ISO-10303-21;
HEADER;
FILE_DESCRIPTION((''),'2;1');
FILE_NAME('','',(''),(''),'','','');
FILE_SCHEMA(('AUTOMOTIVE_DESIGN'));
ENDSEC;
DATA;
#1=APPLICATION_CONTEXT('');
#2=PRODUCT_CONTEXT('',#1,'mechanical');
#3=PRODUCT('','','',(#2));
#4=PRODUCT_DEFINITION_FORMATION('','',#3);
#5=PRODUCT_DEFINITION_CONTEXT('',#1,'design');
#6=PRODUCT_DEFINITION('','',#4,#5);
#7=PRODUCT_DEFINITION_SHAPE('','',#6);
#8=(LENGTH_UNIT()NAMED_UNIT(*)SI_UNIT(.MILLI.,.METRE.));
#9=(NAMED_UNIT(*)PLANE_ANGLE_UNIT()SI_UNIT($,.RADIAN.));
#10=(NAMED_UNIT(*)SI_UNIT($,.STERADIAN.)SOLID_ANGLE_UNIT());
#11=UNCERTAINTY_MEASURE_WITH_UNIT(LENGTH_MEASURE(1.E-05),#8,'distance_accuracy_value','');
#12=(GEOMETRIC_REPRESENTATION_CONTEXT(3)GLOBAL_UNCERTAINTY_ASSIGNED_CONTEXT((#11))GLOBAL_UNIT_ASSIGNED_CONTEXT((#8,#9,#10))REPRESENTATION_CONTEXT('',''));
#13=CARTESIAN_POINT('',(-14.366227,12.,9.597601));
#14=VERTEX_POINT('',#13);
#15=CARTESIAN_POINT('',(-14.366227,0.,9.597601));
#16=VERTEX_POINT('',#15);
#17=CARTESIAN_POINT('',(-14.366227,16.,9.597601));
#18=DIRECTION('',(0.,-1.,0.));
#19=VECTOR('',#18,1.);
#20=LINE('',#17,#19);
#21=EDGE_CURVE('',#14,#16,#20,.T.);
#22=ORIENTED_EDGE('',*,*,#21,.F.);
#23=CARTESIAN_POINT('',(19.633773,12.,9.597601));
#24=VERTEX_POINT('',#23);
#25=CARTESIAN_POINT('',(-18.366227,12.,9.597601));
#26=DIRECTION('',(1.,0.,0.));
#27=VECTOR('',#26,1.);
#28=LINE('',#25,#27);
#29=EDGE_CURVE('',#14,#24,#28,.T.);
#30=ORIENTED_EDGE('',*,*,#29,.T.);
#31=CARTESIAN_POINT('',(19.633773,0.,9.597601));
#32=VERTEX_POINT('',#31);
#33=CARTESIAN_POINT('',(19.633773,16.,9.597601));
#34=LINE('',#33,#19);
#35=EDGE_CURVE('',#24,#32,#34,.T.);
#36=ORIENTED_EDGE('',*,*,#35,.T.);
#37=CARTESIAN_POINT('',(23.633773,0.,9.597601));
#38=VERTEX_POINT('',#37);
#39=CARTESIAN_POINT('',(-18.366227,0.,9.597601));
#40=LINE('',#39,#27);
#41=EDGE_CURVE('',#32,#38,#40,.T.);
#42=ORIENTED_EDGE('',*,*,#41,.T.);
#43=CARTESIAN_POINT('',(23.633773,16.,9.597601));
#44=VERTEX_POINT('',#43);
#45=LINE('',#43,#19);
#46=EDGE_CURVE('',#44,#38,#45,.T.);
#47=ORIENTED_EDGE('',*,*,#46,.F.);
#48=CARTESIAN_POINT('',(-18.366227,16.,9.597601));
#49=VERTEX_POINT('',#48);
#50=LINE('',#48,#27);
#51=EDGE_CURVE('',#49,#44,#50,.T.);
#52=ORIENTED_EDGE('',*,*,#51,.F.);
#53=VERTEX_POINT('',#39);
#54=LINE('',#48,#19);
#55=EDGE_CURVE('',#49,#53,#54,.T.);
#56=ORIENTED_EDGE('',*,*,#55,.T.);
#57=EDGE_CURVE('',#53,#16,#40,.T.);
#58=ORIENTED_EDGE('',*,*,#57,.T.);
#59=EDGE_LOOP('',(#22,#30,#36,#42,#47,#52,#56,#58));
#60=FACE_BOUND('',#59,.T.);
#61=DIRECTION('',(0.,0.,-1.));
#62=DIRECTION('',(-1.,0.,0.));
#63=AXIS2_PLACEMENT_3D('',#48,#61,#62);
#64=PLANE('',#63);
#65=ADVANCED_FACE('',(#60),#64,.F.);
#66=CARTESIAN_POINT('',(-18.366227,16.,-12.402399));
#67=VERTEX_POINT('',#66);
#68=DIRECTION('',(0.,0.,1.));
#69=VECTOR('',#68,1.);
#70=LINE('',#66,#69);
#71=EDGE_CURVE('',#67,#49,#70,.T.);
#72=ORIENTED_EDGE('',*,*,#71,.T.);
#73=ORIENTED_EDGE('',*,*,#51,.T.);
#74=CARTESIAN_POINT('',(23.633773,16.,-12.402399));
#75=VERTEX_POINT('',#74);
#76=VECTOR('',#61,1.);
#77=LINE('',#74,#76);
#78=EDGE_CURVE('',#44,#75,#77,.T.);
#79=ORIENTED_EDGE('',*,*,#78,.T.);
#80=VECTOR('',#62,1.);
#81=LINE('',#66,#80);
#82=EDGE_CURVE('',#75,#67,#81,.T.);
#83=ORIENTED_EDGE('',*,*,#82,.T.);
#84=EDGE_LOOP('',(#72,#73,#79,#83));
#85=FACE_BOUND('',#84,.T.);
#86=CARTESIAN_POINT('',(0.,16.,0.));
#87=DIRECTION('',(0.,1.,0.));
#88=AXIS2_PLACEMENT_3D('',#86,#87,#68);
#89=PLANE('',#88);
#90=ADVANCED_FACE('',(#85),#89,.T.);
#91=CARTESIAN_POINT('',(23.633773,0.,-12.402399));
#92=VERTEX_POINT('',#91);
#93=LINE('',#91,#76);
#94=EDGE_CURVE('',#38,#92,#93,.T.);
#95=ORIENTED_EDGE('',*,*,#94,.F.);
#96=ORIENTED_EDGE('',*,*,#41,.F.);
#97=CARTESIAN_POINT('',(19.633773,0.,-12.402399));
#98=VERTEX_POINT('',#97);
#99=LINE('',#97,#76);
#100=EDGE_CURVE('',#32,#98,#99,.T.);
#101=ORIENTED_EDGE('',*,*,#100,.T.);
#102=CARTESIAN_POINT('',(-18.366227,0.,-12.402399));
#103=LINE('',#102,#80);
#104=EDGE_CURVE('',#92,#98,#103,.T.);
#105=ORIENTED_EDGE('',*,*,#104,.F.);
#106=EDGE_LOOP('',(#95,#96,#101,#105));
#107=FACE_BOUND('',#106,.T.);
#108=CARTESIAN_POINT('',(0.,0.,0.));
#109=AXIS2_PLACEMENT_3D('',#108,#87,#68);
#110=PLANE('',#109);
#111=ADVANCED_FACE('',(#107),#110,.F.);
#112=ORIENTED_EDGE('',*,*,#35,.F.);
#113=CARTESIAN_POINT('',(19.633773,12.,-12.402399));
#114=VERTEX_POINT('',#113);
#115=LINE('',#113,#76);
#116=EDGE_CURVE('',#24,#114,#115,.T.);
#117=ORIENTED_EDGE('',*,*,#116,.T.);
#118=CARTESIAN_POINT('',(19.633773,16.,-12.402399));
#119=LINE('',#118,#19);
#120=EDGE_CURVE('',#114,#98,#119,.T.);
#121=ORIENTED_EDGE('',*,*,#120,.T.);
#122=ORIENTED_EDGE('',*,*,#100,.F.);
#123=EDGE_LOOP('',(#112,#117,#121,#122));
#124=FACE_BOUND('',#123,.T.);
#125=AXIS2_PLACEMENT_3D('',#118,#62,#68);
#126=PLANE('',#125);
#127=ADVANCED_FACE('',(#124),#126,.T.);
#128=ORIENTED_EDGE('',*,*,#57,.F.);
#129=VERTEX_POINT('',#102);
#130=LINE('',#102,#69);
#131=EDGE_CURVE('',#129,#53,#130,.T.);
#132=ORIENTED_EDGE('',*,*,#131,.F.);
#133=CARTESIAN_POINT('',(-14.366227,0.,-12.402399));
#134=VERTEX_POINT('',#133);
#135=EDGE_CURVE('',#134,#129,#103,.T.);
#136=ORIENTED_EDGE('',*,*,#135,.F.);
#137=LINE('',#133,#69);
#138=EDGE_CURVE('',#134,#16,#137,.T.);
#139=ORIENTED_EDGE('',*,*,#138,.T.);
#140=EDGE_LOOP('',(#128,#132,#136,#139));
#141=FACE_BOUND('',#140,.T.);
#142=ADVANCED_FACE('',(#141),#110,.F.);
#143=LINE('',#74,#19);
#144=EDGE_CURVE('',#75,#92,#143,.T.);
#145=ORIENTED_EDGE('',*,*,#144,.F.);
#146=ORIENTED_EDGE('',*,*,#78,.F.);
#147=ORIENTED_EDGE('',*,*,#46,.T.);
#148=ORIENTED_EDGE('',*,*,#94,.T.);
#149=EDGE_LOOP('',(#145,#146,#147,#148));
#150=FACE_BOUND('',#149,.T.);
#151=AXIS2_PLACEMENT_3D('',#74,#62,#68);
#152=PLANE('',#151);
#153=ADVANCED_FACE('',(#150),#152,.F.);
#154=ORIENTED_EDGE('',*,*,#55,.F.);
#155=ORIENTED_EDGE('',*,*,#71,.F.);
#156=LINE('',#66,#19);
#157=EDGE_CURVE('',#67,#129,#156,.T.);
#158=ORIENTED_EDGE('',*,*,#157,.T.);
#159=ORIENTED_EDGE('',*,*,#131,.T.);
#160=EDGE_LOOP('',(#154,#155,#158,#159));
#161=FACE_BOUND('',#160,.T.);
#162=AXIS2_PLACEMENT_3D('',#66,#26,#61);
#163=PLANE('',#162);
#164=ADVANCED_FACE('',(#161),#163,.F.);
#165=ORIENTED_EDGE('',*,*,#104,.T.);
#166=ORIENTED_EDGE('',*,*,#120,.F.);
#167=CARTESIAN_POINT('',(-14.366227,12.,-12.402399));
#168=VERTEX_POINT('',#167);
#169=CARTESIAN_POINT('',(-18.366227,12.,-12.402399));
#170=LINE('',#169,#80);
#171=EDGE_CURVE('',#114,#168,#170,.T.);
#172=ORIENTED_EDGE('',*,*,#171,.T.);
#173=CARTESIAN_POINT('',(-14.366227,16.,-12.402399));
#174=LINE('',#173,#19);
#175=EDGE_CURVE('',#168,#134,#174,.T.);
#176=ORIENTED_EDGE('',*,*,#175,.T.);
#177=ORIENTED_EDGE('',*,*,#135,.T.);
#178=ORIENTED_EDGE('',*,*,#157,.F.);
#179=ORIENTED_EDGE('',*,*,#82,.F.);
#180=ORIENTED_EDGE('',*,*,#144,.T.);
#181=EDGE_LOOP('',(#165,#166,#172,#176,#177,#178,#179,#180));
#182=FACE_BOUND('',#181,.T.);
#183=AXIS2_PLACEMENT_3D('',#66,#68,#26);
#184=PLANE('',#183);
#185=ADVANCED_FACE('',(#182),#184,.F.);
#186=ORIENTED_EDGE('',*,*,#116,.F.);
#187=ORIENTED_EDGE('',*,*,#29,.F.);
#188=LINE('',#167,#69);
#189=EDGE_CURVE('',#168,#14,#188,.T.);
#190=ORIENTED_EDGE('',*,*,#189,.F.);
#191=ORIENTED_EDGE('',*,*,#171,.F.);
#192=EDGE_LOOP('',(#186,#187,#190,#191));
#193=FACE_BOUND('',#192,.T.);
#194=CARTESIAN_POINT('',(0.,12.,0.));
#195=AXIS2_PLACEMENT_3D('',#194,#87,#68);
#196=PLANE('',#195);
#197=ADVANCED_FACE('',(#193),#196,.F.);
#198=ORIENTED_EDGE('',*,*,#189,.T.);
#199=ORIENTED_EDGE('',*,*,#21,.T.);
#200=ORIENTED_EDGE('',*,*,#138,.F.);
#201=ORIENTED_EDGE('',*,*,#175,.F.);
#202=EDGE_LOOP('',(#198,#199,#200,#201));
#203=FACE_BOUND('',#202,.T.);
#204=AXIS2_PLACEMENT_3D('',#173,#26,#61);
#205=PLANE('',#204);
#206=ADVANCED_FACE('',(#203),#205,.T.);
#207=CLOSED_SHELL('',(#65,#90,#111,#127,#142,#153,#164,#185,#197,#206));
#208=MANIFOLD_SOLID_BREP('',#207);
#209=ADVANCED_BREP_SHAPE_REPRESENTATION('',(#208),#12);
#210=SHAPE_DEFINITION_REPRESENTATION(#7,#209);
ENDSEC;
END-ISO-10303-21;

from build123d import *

# Parameters (mm, degrees)
SKETCH1_W           = 42
SKETCH1_H           = 22
BOSS_EXTRUDE1_DEPTH = 16
SHELL2_T            = -4


with BuildPart() as part:
    # Sketch1 → Boss-Extrude1 (new body)
    with BuildSketch(Plane(origin=(0, 0, 0), x_dir=(1, 0, 0), z_dir=(0, 1, 0))):
        with Locations((2.633773294, 1.402399006)):
            Rectangle(SKETCH1_W, SKETCH1_H)
    extrude(amount=BOSS_EXTRUDE1_DEPTH)

    # Shell2
    shell2_openings = [part.faces().sort_by_distance(p)[0] for p in [
        (2.633773294, 0, -1.402399006),
        (2.633773294, 8, -12.402399006),
        (2.633773294, 8, 9.597600994),
    ]]
    offset(amount=SHELL2_T, openings=shell2_openings, kind=Kind.INTERSECTION)


solid = part.part
